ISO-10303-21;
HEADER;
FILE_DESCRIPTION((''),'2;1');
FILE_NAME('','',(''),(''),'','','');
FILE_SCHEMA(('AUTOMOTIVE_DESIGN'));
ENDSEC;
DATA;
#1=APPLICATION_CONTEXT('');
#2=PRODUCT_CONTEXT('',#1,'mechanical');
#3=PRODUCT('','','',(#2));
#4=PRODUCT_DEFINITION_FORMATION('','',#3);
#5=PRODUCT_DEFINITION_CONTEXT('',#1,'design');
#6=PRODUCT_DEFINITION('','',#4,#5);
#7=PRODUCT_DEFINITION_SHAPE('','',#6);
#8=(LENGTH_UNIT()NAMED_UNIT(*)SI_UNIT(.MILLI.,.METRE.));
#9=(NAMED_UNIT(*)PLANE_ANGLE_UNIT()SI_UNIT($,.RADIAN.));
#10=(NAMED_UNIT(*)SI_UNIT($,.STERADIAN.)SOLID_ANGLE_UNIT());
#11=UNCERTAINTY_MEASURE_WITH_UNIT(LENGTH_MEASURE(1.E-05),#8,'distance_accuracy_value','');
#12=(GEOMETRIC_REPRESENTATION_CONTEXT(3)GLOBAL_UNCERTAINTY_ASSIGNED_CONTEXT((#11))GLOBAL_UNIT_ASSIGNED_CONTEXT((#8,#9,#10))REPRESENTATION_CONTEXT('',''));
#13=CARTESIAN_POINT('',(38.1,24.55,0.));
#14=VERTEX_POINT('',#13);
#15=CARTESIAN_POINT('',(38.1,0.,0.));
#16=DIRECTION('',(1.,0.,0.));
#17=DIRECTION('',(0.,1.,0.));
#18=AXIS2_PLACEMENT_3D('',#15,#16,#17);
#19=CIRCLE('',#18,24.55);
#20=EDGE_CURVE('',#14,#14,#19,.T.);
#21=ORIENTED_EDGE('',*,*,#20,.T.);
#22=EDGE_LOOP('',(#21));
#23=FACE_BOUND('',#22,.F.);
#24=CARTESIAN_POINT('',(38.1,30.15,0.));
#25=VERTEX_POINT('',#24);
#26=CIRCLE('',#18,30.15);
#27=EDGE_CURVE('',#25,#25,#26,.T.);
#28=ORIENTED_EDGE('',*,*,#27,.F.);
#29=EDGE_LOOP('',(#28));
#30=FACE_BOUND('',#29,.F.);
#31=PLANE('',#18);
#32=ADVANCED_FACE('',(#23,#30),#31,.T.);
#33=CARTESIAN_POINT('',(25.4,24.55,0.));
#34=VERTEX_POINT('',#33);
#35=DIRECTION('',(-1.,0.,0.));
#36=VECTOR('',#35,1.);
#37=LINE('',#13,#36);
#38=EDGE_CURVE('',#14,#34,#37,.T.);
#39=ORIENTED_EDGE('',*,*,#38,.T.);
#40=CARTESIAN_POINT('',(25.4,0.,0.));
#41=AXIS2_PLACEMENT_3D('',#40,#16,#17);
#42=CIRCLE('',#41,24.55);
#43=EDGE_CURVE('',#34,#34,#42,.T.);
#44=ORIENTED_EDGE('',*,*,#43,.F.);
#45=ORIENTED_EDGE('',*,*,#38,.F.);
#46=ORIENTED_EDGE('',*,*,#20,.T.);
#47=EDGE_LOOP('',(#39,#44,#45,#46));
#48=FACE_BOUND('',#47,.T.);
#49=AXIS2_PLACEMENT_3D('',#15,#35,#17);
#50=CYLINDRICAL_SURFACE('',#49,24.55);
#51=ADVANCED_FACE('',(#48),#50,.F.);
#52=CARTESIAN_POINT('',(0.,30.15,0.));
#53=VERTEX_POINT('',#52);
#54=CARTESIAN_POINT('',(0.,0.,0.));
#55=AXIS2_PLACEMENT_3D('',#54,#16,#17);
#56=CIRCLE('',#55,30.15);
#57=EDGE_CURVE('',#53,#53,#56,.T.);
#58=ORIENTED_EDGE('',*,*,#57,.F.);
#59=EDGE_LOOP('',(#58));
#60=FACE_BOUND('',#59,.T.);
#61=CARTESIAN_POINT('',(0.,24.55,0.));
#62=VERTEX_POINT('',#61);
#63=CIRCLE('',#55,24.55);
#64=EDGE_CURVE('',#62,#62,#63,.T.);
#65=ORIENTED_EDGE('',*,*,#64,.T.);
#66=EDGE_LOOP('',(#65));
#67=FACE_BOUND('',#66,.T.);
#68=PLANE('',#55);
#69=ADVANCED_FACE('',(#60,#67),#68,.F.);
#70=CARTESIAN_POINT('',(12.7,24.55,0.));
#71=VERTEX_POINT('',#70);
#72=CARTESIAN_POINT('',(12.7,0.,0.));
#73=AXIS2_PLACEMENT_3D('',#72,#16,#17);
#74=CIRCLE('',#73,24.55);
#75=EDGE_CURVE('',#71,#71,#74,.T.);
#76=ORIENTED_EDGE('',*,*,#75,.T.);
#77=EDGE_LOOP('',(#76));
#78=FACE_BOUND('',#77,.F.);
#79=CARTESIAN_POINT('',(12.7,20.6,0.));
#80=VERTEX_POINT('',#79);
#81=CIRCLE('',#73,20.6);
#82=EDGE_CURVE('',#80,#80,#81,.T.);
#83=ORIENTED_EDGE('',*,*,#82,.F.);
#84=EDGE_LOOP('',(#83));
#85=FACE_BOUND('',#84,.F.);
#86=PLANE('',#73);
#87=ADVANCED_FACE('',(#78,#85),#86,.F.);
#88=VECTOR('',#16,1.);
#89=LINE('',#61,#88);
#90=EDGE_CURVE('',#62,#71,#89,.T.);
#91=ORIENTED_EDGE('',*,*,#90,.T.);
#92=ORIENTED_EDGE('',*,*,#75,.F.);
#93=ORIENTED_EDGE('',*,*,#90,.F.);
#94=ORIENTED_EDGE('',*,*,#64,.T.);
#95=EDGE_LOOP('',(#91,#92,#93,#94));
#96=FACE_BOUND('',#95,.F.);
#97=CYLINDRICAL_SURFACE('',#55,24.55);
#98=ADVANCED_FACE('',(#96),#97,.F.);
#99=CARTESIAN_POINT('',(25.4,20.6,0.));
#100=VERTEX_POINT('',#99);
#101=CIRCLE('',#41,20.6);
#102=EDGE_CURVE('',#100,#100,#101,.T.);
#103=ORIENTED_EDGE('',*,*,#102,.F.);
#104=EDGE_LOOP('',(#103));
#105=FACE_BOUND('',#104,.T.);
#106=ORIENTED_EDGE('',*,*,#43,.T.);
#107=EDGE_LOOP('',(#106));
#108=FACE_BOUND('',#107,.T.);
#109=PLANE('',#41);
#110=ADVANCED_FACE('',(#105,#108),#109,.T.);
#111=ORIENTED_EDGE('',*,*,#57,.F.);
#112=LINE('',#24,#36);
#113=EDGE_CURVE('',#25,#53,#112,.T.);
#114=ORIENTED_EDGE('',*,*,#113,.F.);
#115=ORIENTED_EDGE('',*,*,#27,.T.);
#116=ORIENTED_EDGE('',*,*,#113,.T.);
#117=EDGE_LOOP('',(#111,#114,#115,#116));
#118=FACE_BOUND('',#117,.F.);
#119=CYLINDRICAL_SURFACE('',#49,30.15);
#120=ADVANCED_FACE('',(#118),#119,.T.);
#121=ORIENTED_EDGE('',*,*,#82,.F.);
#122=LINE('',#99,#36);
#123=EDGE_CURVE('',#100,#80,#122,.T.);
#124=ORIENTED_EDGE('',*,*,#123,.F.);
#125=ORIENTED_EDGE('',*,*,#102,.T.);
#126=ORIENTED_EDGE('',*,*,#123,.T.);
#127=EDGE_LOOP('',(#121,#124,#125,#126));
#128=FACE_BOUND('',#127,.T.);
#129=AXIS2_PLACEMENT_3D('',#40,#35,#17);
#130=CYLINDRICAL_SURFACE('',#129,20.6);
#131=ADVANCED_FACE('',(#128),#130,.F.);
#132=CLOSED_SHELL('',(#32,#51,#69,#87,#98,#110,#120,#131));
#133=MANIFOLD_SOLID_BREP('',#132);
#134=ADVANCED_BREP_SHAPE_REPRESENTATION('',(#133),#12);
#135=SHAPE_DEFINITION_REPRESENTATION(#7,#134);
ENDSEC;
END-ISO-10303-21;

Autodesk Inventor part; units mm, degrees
ref_plane "YZ Plane" through (0, 0, 0) normal (1, 0, 0) x (0, 1, 0)
ref_plane "XZ Plane" through (0, 0, 0) normal (0, 1, 0) x (-1, 0, 0)
ref_plane "XY Plane" through (0, 0, 0) normal (0, 0, 1) x (1, 0, 0)
sketch "Sketch1" plane through (0, 0, 0) normal (0, 0, 1) x (1, 0, 0)
  line L0 (0, 0) -> (38.1, 0)
  line L1 (38.1, 0) -> (38.1, 24.55) construction
  line L2 (38.1, 24.55) -> (38.1, 30.15)
  line L3 (38.1, 30.15) -> (0, 30.15)
  line L4 (19.05, 0) -> (19.05, 30.15) construction
  line L5 (38.1, 24.55) -> (25.4, 24.55)
  line L6 (25.4, 24.55) -> (25.4, 20.6)
  line L7 (25.4, 20.6) -> (12.7, 20.6)
  line L8 (0, 0) -> (0, 24.55) construction
  line L9 (0, 24.55) -> (0, 30.15)
  line L10 (0, 24.55) -> (12.7, 24.55)
  line L11 (12.7, 24.55) -> (12.7, 20.6)
  line L12 (12.7, 20.6) -> (12.7, 0) construction
  line L13 (25.4, 20.6) -> (25.4, 0) construction
  dimension "d0" = 49.1
  dimension "d1" = 41.2
  dimension "d2" = 60.3
  dimension "d4" = 12.7
  dimension "d5" = 12.7
revolve "Revolution1" add sketch "Sketch1" angle 360 about axis through (0, 0, 0) along (1, 0, 0)
equation "\"d0\" = S"
equation "\"d1\" = D"
equation "\"d2\" = S + 2 * T"
equation "\"d4\" = E1"
equation "\"d5\" = C1"
equation "\"S\" = 49.1"
equation "\"E1\" = 12.7"
equation "\"D\" = 41.2"
equation "\"C1\" = 12.7"
equation "\"T\" = 5.6"
equation "\"Size_Designation\" = 1.2345"
properties part number "JIS B 2316 Полная муфта 40A x Sch 80" material "Сталь"
